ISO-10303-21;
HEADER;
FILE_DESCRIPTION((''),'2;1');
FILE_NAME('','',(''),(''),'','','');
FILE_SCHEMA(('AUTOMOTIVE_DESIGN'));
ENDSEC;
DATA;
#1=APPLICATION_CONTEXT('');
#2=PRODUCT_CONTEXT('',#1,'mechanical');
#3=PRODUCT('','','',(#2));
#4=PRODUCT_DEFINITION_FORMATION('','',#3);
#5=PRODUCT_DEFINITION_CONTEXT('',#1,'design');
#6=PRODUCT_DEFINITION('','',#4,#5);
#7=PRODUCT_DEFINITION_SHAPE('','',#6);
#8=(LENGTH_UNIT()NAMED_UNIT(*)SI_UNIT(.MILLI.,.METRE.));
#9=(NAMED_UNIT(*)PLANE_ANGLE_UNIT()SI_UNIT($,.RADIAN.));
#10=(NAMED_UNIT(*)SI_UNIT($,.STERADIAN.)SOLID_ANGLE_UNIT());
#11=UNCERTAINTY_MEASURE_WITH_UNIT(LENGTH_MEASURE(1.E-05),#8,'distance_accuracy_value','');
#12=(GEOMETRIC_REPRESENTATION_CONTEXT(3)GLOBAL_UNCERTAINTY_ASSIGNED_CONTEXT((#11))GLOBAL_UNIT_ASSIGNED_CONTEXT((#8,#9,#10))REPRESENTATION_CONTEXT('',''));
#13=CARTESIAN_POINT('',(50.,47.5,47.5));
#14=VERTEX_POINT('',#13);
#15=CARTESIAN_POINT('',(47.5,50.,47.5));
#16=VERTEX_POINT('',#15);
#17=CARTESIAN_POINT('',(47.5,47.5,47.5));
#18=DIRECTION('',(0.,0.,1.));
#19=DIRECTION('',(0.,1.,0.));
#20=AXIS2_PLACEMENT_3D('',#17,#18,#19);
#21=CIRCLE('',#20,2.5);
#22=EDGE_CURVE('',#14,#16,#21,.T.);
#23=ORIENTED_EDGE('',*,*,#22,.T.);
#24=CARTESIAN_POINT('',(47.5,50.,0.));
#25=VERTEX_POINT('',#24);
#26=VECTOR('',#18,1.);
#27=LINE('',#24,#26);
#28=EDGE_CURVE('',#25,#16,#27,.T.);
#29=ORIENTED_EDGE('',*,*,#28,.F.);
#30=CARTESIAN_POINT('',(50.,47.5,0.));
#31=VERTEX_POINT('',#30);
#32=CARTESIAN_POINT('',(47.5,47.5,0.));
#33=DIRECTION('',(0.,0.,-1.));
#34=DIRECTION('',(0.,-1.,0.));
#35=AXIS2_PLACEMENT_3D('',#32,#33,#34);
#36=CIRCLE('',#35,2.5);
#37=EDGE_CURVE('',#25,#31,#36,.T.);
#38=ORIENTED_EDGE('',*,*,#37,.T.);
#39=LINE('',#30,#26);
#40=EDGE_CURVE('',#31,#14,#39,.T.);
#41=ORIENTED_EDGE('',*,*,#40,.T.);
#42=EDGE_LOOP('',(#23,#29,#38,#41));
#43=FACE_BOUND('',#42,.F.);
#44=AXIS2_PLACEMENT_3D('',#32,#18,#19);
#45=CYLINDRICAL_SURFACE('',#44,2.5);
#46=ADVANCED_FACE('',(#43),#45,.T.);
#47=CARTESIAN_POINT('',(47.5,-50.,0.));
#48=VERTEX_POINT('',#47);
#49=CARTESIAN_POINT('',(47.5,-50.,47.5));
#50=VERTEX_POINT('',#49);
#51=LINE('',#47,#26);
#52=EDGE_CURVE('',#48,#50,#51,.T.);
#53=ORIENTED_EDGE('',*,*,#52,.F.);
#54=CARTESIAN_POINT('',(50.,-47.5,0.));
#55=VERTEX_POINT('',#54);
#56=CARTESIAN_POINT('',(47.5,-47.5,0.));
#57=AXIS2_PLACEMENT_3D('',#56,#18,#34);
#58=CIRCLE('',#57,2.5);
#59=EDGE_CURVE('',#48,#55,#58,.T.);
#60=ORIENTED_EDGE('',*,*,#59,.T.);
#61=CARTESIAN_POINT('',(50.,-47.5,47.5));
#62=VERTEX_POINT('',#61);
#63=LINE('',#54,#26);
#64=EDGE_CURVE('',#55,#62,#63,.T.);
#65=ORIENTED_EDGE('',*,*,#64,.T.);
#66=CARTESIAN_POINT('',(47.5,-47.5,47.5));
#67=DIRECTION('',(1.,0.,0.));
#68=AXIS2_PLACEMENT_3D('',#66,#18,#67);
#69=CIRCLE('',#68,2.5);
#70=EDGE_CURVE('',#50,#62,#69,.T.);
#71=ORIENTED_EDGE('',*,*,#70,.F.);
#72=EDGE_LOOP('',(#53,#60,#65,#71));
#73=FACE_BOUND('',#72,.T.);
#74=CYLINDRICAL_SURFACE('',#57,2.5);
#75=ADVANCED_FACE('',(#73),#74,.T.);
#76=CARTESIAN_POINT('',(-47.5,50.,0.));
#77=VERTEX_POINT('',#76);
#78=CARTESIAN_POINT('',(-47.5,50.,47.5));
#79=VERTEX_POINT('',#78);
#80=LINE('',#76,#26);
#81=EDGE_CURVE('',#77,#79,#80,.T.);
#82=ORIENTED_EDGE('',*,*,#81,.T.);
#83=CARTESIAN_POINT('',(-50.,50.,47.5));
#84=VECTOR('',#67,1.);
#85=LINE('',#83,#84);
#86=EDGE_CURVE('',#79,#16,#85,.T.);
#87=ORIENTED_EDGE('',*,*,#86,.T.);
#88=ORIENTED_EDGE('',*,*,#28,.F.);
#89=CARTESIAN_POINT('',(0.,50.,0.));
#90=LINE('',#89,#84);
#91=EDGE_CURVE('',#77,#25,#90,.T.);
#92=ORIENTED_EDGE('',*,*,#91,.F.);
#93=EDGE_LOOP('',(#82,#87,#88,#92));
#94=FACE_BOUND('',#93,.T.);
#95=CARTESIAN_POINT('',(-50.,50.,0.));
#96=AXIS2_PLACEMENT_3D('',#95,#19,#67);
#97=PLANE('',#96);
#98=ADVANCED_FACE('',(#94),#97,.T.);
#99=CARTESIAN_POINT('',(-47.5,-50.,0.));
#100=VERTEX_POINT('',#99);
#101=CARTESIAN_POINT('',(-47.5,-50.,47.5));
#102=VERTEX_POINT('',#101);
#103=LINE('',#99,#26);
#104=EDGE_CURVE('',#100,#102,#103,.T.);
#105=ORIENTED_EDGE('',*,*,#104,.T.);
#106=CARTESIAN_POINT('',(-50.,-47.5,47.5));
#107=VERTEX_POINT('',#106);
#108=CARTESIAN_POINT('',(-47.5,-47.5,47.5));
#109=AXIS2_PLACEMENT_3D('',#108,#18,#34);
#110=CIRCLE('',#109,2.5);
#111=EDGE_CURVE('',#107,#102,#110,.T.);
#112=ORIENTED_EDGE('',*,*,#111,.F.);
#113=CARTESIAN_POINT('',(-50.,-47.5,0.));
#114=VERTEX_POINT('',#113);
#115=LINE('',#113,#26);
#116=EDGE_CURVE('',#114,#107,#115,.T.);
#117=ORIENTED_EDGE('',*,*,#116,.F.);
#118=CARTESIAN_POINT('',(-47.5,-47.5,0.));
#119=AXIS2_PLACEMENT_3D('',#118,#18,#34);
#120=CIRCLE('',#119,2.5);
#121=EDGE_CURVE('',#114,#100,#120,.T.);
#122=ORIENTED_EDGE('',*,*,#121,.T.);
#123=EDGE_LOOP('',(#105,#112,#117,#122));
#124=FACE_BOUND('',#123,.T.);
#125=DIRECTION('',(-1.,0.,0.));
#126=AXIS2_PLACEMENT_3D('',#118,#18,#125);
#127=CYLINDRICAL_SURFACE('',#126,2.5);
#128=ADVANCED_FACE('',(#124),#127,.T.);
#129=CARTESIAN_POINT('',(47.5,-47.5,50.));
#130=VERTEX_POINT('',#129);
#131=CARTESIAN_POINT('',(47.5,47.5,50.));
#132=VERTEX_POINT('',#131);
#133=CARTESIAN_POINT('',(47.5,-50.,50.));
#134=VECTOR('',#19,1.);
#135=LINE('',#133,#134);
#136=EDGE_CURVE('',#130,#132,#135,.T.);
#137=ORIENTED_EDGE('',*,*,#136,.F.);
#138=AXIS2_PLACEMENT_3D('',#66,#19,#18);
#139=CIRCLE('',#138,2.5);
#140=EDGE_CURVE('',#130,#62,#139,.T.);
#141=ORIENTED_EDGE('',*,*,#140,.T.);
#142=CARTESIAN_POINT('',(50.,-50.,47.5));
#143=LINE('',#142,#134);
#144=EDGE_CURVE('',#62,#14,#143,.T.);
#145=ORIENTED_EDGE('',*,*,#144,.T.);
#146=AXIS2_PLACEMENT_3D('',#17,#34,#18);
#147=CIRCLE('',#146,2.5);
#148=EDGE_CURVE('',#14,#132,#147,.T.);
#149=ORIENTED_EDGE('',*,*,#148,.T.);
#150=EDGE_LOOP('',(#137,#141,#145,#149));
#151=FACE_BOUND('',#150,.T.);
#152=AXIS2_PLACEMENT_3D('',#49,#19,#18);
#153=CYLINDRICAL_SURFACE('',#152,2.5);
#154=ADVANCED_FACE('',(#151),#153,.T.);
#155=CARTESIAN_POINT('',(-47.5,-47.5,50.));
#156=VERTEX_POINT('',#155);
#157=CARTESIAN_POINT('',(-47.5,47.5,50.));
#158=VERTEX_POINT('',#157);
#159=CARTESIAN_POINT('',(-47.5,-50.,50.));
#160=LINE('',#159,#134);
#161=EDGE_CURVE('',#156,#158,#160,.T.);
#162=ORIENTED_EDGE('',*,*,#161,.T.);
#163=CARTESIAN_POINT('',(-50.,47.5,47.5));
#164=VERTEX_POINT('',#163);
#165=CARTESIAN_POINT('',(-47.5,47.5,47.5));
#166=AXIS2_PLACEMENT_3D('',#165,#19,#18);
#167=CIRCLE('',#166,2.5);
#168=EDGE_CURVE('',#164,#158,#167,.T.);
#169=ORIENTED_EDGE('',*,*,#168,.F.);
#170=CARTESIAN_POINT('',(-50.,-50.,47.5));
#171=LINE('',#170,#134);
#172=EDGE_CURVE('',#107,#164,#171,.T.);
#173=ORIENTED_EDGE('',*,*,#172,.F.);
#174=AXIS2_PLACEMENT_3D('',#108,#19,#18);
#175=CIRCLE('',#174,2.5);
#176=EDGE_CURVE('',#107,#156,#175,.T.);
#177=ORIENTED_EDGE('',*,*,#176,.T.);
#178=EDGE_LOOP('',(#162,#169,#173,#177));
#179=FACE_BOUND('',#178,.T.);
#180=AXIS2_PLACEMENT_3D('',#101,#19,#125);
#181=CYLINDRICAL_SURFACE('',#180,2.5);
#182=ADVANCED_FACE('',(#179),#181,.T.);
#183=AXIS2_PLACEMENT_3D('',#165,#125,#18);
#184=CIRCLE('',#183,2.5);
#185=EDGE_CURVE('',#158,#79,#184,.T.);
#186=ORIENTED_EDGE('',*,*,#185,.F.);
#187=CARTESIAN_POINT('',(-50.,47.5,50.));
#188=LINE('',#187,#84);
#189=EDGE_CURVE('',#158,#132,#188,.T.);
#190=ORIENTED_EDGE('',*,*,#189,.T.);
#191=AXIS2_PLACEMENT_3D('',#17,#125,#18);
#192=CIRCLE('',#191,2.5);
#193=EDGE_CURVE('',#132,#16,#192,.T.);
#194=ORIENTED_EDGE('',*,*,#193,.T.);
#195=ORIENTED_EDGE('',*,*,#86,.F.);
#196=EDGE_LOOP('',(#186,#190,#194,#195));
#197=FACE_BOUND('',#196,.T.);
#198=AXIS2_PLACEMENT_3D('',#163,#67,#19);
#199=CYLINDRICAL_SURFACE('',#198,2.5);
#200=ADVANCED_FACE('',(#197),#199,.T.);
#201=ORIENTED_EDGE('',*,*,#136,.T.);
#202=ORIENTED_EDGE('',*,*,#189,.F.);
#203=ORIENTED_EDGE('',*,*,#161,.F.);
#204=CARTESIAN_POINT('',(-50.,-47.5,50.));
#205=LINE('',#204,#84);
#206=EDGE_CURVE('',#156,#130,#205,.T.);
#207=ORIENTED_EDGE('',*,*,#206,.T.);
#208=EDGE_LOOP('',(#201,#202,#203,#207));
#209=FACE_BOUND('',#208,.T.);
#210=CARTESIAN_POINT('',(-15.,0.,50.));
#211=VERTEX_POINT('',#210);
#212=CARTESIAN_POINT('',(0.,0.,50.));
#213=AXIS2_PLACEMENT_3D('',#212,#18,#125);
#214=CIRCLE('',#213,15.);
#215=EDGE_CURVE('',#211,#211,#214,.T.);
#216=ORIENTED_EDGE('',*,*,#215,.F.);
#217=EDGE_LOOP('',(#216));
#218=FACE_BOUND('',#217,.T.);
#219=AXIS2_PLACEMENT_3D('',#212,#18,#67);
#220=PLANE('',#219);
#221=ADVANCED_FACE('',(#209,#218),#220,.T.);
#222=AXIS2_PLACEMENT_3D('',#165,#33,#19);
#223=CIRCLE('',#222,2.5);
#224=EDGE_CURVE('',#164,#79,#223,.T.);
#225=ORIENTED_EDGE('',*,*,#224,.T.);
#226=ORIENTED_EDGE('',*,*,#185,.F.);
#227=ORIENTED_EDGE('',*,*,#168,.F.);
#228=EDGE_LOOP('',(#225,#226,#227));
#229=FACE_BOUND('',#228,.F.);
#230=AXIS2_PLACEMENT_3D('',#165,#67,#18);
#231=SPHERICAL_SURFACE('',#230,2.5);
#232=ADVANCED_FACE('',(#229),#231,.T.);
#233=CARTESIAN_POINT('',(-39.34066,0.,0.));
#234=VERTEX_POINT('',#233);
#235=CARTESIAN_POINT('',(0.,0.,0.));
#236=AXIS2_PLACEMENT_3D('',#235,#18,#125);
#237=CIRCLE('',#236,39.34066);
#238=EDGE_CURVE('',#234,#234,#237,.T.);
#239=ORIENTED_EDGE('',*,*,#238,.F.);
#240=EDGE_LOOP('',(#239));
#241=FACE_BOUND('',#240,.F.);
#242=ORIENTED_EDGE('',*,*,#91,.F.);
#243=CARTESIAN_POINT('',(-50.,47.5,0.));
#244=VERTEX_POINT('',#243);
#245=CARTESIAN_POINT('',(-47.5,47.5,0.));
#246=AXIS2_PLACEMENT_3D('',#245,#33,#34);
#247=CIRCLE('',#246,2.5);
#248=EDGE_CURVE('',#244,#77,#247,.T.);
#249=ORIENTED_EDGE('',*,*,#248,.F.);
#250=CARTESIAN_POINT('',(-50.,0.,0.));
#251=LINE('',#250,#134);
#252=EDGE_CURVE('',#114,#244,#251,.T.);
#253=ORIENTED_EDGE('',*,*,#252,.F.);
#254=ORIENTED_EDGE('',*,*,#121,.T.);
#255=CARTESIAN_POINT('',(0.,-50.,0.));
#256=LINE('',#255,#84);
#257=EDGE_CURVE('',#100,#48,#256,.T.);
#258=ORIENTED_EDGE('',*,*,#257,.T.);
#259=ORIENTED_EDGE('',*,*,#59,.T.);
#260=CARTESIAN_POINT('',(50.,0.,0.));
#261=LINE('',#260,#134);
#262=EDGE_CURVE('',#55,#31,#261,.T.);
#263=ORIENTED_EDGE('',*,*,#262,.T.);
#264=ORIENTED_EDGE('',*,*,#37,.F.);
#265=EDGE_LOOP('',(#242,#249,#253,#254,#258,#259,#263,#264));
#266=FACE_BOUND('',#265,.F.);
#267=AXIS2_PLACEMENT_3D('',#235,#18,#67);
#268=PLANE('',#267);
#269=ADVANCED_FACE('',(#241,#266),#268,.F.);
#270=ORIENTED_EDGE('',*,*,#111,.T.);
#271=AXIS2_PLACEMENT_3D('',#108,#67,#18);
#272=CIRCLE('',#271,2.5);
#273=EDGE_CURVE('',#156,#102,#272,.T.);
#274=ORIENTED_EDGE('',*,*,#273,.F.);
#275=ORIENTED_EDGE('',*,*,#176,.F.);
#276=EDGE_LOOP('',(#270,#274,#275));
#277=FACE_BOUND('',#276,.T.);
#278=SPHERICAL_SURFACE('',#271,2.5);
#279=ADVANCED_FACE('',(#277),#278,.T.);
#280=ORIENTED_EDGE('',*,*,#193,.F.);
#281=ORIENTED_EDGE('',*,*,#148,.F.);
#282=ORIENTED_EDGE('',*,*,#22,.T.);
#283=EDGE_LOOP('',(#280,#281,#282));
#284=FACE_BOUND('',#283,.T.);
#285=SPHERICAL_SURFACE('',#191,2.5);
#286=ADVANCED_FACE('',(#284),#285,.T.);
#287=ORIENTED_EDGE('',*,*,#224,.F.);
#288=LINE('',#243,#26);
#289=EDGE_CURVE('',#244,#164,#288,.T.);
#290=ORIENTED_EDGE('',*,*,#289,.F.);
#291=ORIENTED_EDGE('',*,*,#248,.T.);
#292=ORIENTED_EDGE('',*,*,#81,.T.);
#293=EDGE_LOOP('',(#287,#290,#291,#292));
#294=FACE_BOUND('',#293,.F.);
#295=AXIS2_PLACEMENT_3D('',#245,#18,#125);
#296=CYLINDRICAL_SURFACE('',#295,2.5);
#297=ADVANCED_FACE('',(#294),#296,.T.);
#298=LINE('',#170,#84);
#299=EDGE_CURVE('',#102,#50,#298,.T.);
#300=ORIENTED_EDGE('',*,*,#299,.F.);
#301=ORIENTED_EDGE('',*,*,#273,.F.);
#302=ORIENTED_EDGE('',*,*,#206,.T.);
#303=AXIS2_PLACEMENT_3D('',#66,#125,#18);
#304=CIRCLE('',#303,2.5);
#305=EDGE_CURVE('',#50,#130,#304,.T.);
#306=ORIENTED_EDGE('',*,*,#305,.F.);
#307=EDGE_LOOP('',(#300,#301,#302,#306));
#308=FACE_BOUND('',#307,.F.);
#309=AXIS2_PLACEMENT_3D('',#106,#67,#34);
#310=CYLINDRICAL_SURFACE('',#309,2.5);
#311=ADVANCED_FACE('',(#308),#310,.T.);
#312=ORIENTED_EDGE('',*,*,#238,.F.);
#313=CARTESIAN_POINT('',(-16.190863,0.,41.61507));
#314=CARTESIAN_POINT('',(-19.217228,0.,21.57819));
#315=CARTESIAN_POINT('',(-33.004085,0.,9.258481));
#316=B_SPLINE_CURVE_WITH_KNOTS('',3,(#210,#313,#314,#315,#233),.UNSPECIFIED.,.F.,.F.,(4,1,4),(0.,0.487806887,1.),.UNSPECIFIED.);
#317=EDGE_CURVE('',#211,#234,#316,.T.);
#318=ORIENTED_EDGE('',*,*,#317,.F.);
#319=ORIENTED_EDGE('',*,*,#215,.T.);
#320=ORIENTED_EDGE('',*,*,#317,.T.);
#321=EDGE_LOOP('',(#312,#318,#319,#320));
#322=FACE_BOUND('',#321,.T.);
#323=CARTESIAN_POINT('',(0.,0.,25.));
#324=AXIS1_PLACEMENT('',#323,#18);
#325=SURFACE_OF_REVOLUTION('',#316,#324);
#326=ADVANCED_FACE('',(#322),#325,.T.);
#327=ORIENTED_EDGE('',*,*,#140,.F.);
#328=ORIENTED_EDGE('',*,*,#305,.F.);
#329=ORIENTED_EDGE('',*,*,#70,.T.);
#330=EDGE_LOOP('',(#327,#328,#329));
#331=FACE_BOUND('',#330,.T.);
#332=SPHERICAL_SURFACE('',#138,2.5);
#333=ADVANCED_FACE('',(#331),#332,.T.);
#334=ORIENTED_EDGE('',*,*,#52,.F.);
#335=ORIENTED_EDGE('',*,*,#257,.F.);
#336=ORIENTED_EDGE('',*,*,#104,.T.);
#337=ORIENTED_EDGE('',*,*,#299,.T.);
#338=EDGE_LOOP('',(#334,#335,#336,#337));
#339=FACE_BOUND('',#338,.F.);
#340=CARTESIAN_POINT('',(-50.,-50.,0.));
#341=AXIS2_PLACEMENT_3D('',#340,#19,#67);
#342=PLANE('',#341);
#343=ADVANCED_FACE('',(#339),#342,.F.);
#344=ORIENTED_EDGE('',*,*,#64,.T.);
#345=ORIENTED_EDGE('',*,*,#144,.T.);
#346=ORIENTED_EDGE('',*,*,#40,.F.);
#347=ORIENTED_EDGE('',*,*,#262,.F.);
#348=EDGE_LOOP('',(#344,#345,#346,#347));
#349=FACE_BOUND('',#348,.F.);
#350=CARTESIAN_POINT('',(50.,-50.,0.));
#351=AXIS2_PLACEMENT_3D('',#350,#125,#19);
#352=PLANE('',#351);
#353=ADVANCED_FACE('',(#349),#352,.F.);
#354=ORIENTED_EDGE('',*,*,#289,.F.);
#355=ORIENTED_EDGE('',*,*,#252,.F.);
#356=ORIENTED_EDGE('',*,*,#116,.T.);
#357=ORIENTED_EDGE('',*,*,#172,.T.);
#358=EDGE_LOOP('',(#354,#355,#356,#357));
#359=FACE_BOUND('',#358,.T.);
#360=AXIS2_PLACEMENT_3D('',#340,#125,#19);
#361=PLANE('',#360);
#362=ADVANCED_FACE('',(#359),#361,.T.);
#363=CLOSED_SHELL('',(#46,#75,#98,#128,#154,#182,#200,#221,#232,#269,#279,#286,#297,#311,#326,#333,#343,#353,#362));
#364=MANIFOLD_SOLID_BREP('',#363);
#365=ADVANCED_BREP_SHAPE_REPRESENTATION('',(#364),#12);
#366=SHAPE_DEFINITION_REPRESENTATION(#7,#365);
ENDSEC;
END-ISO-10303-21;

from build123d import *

# Parameters (mm, degrees)
F0_W     = 100
F0_H     = 100
F1_DEPTH = 50
F4_R     = 2.5


with BuildPart() as f1:
    # F0 (on Top) → F1 (new body)
    with BuildSketch(Plane.XY):
        Rectangle(F0_W, F0_H)
    extrude(amount=F1_DEPTH)

    # F2 (on Front) → F3 (revolve, cut)
    with BuildSketch(Plane.XZ):
        with BuildLine():
            add(Edge.make_bspline(
                [(-15, 50), (-16.1908632406, 41.6150700931), (-19.2172283884, 21.5781897555), (-33.004084781, 9.2584811498), (-39.3406604347, 0)],
                knots=[0, 0, 0, 0, 0.487806887, 1, 1, 1, 1], degree=3))
            Line((-39.3406604347, 0), (0, 0))
            Line((0, 0), (0, 50))
            Line((0, 50), (-15, 50))
        make_face()
    revolve(axis=Axis((0, 0, 25), (0, 0, 1)), mode=Mode.SUBTRACT)

    # F4
    f4_edges = [f1.edges().sort_by_distance(p)[0] for p in [
        (0, 50, 50),
        (50, 0, 50),
        (0, -50, 50),
        (-50, 0, 50),
        (-50, -50, 25),
        (50, -50, 25),
        (50, 50, 25),
        (-50, 50, 25),
    ]]
    fillet(f4_edges, radius=F4_R)


solid = f1.part
